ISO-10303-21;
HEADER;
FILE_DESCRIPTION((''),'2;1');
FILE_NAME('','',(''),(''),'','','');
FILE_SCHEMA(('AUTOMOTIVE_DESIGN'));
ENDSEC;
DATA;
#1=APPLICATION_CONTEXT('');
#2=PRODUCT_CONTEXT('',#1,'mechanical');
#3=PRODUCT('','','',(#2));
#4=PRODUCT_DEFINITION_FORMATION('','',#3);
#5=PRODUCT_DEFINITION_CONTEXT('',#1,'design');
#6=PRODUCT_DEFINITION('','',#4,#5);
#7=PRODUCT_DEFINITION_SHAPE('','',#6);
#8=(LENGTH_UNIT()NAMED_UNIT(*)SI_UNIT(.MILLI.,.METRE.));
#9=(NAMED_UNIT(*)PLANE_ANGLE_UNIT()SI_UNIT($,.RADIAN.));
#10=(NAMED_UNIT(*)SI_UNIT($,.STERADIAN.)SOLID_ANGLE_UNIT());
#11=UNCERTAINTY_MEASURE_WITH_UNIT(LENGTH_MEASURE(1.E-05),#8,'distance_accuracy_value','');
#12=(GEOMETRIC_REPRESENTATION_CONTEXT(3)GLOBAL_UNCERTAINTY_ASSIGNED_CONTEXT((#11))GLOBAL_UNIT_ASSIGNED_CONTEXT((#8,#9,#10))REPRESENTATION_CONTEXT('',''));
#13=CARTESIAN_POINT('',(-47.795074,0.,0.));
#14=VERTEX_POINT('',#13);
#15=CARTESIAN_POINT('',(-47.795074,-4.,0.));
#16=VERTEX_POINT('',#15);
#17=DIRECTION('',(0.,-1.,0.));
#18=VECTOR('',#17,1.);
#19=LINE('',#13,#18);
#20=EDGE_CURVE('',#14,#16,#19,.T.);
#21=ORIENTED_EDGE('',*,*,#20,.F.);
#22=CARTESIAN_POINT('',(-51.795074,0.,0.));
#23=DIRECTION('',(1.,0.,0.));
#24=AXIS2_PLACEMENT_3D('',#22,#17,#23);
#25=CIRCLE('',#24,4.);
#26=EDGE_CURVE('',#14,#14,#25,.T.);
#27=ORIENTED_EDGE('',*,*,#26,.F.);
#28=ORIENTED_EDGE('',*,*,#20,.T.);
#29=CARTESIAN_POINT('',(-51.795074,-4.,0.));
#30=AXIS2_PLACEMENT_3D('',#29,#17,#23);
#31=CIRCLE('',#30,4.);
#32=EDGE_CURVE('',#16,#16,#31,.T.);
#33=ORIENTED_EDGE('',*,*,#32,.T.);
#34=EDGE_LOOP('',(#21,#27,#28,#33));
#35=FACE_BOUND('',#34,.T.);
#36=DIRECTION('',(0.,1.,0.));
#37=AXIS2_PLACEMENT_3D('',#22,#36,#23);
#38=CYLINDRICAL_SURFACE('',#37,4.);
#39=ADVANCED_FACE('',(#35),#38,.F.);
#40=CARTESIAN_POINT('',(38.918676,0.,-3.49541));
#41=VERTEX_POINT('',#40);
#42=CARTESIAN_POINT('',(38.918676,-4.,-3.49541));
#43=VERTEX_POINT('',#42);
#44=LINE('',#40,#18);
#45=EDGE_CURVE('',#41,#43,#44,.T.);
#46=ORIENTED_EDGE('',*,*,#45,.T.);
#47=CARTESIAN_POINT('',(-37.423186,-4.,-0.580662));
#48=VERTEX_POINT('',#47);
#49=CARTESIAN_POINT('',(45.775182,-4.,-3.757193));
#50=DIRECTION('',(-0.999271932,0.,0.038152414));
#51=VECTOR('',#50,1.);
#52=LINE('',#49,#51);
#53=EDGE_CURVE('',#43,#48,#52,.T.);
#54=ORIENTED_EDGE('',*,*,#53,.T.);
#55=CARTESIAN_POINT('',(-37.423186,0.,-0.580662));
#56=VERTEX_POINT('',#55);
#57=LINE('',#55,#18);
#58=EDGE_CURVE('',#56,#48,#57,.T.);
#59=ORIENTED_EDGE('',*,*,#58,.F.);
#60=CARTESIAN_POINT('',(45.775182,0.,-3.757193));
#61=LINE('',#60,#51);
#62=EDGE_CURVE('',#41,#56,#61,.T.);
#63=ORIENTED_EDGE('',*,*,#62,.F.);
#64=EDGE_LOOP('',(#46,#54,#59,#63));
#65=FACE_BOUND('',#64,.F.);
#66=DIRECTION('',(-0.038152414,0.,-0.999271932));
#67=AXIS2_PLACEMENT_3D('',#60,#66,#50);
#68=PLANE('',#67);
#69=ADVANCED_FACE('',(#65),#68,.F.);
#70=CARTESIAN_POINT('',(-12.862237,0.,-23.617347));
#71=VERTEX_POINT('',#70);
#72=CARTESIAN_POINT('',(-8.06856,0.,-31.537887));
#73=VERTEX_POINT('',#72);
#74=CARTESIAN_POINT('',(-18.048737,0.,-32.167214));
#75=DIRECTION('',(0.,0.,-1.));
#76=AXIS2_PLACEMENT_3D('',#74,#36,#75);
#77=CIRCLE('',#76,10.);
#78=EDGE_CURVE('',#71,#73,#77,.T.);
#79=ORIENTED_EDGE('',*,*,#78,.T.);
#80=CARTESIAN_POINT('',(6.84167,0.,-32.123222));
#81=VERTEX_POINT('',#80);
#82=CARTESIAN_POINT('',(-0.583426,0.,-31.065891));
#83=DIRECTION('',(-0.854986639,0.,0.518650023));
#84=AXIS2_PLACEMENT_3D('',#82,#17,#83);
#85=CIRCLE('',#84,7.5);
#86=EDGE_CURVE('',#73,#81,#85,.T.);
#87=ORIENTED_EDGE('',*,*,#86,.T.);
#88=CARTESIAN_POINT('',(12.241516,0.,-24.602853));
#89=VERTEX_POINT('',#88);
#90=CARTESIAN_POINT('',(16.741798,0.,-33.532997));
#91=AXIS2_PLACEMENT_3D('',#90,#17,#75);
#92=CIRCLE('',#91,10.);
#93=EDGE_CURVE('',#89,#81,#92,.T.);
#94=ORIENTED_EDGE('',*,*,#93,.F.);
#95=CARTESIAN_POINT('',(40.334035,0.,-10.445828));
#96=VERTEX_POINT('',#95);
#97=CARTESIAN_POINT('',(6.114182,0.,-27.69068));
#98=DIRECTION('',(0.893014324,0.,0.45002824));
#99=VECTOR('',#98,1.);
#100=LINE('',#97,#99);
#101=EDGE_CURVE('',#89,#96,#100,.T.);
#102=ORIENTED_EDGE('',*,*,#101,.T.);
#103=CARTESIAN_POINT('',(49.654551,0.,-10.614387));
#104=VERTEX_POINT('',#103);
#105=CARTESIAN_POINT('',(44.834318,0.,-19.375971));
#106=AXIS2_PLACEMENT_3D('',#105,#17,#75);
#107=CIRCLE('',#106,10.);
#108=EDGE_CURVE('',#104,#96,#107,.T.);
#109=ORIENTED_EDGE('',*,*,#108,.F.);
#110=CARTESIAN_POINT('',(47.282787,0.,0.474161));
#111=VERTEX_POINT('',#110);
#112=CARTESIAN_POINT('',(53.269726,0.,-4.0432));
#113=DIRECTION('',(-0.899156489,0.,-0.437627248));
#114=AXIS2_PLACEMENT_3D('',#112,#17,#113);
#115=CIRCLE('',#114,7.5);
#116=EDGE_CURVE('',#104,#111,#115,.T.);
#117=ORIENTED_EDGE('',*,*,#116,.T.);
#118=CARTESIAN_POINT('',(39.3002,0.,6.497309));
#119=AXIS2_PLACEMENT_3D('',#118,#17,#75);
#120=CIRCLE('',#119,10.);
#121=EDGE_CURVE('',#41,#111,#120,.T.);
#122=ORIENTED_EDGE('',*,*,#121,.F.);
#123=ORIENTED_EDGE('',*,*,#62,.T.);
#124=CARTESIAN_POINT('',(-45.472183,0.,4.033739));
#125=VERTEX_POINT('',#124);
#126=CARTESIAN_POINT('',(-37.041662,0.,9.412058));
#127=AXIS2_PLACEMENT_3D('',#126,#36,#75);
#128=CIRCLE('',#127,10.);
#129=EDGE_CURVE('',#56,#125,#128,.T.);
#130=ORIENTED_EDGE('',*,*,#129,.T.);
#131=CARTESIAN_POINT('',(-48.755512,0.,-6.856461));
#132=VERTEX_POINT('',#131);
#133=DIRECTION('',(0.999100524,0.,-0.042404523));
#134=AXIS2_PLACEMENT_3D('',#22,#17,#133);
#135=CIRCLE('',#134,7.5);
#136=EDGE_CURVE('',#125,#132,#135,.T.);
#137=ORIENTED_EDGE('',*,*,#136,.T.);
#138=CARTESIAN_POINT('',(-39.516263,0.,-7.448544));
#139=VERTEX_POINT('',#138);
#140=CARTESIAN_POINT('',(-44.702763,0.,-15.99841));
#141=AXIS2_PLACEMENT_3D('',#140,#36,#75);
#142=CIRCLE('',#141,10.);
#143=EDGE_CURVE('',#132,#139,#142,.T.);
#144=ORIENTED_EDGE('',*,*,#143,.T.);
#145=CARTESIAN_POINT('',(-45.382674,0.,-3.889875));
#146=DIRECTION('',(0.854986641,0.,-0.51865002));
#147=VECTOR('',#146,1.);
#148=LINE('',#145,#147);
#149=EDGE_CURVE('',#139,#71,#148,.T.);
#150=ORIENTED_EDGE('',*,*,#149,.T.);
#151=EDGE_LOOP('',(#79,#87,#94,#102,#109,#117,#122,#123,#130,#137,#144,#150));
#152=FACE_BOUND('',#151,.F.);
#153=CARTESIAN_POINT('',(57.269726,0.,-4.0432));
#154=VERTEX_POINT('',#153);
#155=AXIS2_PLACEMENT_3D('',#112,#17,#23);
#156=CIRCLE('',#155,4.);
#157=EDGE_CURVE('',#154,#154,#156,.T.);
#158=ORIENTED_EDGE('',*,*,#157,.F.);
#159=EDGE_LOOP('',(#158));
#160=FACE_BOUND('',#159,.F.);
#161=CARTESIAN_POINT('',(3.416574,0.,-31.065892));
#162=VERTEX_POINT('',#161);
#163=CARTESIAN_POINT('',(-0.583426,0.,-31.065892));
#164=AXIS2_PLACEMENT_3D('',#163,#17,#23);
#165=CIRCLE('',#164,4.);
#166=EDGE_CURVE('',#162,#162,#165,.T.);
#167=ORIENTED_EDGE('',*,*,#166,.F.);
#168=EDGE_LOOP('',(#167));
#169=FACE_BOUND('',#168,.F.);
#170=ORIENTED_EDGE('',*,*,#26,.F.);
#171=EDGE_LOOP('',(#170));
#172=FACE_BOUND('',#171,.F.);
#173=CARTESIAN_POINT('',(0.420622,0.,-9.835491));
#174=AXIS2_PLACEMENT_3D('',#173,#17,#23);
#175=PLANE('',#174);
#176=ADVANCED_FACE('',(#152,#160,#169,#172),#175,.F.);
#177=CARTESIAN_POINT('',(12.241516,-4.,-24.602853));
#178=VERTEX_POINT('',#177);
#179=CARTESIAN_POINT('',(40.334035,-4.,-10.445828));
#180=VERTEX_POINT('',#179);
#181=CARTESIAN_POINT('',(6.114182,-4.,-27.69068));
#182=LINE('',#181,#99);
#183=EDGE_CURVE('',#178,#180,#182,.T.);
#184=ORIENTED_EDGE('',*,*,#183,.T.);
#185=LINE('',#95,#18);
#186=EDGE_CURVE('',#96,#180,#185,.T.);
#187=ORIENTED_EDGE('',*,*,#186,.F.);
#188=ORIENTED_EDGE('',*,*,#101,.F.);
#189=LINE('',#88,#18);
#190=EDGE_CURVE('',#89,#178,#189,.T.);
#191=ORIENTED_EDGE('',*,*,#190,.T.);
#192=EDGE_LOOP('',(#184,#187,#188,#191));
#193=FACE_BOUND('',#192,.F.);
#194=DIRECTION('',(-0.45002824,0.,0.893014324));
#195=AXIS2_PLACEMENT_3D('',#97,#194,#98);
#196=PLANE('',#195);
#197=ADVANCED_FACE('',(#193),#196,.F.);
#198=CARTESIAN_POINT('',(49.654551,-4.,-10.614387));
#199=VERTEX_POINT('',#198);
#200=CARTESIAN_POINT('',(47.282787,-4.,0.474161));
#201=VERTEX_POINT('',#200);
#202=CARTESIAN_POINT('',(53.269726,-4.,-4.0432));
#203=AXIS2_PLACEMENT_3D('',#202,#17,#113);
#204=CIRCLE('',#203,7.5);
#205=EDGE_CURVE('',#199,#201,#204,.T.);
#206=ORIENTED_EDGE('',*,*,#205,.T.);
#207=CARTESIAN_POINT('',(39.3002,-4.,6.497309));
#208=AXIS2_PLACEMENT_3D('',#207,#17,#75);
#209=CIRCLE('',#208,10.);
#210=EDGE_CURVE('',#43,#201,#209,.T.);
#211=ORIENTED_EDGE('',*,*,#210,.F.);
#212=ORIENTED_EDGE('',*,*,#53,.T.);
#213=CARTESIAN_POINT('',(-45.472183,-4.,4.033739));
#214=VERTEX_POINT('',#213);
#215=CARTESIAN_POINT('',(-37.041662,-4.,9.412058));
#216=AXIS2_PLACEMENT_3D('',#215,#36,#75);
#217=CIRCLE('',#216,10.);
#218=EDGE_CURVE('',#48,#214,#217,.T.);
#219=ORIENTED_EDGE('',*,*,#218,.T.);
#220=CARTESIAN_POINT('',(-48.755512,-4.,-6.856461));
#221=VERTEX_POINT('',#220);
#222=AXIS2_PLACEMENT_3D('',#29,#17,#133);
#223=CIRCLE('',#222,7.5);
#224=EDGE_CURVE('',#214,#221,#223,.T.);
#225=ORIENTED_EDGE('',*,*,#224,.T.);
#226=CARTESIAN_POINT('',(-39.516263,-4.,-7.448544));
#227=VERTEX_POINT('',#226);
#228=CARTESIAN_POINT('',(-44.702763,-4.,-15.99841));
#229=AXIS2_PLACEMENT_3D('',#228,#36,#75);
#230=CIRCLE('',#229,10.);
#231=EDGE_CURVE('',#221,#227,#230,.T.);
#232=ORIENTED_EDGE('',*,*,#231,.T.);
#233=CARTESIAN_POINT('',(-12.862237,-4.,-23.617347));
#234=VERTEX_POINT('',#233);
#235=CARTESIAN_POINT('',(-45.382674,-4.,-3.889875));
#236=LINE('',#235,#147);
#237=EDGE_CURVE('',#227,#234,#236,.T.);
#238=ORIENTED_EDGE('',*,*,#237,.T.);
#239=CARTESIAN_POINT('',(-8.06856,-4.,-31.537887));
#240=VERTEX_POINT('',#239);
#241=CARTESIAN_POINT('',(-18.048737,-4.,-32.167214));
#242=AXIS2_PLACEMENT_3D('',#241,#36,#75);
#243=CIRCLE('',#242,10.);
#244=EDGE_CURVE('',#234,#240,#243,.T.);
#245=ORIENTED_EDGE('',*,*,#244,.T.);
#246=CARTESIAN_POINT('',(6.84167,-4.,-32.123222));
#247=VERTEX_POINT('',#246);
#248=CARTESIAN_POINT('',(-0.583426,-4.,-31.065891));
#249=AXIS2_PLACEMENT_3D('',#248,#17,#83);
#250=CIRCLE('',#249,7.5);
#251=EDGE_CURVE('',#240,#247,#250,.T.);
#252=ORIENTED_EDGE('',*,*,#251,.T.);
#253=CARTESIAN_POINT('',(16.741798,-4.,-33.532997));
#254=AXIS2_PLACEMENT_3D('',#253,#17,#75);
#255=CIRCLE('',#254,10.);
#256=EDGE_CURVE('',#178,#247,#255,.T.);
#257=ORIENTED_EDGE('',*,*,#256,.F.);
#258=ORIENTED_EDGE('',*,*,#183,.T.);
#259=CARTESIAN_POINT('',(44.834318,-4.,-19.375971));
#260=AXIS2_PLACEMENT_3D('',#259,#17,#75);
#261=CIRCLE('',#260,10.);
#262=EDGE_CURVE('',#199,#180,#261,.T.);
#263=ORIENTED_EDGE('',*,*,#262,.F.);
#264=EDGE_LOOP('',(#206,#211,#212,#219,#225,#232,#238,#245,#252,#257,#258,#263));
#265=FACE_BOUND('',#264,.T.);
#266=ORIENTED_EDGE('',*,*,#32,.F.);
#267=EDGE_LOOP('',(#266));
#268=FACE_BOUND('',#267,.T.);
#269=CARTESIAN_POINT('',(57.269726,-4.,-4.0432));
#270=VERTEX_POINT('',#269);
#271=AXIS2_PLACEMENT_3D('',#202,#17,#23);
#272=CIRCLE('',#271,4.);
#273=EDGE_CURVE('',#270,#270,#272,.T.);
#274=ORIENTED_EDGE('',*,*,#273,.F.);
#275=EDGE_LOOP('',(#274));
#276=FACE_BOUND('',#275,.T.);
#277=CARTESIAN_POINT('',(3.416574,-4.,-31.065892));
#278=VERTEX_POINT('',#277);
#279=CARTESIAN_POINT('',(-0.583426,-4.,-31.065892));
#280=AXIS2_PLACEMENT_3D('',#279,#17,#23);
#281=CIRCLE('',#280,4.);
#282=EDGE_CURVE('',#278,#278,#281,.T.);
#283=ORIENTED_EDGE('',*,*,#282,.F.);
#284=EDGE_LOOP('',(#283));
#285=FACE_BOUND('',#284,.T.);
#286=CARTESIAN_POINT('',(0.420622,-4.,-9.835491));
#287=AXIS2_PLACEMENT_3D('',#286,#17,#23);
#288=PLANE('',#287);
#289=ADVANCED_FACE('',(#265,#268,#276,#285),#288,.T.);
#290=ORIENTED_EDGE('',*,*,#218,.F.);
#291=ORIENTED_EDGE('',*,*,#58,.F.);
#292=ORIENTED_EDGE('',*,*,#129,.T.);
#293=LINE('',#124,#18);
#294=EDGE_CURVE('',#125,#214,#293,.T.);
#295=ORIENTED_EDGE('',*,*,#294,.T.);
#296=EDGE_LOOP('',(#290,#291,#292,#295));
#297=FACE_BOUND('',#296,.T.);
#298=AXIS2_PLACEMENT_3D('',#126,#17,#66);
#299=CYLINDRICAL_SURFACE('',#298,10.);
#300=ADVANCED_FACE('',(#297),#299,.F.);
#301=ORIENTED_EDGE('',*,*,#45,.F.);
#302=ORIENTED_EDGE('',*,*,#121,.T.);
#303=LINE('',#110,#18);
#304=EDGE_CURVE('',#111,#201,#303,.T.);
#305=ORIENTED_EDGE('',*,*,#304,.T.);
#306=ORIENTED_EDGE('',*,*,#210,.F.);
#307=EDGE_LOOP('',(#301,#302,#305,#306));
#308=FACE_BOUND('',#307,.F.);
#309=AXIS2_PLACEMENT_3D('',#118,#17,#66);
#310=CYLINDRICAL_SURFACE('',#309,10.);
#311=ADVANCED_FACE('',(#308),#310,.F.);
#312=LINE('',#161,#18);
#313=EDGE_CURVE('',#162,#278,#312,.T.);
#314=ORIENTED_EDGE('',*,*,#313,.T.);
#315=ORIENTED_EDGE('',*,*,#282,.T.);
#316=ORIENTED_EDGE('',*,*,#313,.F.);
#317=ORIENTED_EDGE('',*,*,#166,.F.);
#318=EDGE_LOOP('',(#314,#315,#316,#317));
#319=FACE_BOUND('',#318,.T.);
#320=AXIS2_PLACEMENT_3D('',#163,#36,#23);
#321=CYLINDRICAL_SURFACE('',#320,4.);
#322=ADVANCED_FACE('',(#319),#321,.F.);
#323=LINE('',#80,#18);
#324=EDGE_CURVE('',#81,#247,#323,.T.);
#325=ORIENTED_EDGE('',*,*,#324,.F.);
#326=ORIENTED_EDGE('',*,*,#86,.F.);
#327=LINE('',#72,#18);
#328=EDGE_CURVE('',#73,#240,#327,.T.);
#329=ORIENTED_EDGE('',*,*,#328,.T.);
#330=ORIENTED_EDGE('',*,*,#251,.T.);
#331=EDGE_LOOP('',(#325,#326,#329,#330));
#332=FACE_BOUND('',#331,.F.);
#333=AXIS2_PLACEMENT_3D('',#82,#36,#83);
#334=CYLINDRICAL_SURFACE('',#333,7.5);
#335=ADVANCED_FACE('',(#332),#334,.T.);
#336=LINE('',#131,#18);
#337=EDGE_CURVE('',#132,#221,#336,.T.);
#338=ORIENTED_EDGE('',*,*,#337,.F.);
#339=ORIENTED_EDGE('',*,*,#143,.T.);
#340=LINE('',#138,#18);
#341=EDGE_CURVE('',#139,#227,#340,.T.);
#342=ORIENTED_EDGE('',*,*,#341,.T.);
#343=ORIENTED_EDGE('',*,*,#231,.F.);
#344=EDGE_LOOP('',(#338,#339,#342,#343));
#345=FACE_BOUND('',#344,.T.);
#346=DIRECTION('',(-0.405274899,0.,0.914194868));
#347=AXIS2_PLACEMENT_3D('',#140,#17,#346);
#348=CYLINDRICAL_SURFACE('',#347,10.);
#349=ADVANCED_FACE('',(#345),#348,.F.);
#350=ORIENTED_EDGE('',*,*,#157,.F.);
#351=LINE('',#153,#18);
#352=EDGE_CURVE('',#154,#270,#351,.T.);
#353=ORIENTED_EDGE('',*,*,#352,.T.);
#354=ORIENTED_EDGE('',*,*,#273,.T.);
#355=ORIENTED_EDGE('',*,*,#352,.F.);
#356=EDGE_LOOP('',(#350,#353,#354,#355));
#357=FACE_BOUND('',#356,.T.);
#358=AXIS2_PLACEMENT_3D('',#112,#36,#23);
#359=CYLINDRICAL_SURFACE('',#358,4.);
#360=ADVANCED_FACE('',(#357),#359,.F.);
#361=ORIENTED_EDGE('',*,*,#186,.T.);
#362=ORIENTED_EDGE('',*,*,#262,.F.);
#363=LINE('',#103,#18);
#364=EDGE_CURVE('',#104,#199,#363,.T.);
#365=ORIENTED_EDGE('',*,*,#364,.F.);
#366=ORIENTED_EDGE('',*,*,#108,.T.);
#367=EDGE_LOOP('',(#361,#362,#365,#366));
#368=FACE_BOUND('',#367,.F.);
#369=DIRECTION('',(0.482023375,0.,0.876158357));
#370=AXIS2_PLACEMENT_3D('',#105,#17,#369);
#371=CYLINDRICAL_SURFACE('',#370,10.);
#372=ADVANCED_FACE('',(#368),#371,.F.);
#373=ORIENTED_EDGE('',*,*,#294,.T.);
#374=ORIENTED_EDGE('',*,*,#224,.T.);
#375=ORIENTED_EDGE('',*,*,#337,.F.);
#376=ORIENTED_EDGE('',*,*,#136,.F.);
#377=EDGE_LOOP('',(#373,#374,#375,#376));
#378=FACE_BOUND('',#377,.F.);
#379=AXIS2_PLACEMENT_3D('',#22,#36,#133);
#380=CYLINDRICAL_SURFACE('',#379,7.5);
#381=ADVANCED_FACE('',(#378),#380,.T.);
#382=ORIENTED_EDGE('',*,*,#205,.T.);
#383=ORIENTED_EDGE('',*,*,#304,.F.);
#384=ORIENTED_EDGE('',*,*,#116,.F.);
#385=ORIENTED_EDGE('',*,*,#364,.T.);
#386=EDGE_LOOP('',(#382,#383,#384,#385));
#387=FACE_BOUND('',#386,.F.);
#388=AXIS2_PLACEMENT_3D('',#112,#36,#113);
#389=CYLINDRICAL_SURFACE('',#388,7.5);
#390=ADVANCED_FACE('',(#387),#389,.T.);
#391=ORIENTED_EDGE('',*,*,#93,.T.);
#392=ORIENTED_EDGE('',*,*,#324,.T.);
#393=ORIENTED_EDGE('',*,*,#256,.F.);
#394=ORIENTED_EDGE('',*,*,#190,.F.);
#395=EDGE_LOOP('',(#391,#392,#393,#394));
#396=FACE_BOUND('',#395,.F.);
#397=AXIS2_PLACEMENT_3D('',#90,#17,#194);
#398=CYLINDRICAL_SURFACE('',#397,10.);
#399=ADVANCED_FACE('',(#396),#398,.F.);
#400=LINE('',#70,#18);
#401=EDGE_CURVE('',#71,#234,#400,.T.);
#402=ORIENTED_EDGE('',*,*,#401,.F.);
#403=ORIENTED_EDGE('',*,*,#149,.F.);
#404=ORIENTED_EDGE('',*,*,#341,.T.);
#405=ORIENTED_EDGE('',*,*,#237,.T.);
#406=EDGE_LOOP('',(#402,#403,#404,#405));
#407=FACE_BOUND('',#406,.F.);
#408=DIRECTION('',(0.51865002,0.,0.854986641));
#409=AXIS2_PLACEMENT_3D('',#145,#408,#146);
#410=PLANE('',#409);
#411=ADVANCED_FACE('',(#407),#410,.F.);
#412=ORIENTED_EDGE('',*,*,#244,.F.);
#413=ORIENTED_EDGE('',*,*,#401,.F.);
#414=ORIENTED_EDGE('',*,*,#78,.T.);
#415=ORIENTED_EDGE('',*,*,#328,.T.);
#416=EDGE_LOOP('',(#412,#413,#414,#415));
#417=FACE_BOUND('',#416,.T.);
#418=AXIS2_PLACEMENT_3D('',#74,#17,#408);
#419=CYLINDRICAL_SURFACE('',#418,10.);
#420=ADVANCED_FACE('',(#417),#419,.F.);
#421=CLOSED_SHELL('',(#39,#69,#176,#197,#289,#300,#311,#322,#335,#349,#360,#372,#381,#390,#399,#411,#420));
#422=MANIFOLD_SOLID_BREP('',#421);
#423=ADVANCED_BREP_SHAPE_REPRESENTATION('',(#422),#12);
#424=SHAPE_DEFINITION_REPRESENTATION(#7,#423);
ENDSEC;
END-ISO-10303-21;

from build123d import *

# Parameters (mm, degrees)
F0_R     = 4
F1_DEPTH = 4
F2_R     = 10


with BuildPart() as f1:
    # F0 (on Front) → F1 (new body)
    with BuildSketch(Plane.XZ):
        with BuildLine():
            Line((45.775182, -3.757193), (-44.30182, -0.318034))
            ThreePointArc((-44.30182, -0.318034), (-58.973605, 2.172254), (-45.382674, -3.889875))
            Line((-45.382674, -3.889875), (-6.995826, -27.176016))
            ThreePointArc((-6.995826, -27.176016), (-0.877629, -38.560119), (6.114182, -27.69068))
            Line((6.114182, -27.69068), (46.526053, -7.325404))
            ThreePointArc((46.526053, -7.325404), (60.608987, -2.498774), (45.775182, -3.757193))
        make_face()
        with Locations((-0.583426, -31.065892)):
            Circle(F0_R, mode=Mode.SUBTRACT)
        with Locations((-51.795074, 0)):
            Circle(F0_R, mode=Mode.SUBTRACT)
        with Locations((53.269726, -4.0432)):
            Circle(F0_R, mode=Mode.SUBTRACT)
    extrude(amount=F1_DEPTH)

    # F2
    f2_edges = [f1.edges().sort_by_distance(p)[0] for p in [
        (-44.30182, -2, -0.318034),
        (45.775182, -2, -3.757193),
        (46.526053, -2, -7.325404),
        (6.114182, -2, -27.69068),
        (-6.995826, -2, -27.176016),
        (-45.382674, -2, -3.889875),
    ]]
    fillet(f2_edges, radius=F2_R)


solid = f1.part
